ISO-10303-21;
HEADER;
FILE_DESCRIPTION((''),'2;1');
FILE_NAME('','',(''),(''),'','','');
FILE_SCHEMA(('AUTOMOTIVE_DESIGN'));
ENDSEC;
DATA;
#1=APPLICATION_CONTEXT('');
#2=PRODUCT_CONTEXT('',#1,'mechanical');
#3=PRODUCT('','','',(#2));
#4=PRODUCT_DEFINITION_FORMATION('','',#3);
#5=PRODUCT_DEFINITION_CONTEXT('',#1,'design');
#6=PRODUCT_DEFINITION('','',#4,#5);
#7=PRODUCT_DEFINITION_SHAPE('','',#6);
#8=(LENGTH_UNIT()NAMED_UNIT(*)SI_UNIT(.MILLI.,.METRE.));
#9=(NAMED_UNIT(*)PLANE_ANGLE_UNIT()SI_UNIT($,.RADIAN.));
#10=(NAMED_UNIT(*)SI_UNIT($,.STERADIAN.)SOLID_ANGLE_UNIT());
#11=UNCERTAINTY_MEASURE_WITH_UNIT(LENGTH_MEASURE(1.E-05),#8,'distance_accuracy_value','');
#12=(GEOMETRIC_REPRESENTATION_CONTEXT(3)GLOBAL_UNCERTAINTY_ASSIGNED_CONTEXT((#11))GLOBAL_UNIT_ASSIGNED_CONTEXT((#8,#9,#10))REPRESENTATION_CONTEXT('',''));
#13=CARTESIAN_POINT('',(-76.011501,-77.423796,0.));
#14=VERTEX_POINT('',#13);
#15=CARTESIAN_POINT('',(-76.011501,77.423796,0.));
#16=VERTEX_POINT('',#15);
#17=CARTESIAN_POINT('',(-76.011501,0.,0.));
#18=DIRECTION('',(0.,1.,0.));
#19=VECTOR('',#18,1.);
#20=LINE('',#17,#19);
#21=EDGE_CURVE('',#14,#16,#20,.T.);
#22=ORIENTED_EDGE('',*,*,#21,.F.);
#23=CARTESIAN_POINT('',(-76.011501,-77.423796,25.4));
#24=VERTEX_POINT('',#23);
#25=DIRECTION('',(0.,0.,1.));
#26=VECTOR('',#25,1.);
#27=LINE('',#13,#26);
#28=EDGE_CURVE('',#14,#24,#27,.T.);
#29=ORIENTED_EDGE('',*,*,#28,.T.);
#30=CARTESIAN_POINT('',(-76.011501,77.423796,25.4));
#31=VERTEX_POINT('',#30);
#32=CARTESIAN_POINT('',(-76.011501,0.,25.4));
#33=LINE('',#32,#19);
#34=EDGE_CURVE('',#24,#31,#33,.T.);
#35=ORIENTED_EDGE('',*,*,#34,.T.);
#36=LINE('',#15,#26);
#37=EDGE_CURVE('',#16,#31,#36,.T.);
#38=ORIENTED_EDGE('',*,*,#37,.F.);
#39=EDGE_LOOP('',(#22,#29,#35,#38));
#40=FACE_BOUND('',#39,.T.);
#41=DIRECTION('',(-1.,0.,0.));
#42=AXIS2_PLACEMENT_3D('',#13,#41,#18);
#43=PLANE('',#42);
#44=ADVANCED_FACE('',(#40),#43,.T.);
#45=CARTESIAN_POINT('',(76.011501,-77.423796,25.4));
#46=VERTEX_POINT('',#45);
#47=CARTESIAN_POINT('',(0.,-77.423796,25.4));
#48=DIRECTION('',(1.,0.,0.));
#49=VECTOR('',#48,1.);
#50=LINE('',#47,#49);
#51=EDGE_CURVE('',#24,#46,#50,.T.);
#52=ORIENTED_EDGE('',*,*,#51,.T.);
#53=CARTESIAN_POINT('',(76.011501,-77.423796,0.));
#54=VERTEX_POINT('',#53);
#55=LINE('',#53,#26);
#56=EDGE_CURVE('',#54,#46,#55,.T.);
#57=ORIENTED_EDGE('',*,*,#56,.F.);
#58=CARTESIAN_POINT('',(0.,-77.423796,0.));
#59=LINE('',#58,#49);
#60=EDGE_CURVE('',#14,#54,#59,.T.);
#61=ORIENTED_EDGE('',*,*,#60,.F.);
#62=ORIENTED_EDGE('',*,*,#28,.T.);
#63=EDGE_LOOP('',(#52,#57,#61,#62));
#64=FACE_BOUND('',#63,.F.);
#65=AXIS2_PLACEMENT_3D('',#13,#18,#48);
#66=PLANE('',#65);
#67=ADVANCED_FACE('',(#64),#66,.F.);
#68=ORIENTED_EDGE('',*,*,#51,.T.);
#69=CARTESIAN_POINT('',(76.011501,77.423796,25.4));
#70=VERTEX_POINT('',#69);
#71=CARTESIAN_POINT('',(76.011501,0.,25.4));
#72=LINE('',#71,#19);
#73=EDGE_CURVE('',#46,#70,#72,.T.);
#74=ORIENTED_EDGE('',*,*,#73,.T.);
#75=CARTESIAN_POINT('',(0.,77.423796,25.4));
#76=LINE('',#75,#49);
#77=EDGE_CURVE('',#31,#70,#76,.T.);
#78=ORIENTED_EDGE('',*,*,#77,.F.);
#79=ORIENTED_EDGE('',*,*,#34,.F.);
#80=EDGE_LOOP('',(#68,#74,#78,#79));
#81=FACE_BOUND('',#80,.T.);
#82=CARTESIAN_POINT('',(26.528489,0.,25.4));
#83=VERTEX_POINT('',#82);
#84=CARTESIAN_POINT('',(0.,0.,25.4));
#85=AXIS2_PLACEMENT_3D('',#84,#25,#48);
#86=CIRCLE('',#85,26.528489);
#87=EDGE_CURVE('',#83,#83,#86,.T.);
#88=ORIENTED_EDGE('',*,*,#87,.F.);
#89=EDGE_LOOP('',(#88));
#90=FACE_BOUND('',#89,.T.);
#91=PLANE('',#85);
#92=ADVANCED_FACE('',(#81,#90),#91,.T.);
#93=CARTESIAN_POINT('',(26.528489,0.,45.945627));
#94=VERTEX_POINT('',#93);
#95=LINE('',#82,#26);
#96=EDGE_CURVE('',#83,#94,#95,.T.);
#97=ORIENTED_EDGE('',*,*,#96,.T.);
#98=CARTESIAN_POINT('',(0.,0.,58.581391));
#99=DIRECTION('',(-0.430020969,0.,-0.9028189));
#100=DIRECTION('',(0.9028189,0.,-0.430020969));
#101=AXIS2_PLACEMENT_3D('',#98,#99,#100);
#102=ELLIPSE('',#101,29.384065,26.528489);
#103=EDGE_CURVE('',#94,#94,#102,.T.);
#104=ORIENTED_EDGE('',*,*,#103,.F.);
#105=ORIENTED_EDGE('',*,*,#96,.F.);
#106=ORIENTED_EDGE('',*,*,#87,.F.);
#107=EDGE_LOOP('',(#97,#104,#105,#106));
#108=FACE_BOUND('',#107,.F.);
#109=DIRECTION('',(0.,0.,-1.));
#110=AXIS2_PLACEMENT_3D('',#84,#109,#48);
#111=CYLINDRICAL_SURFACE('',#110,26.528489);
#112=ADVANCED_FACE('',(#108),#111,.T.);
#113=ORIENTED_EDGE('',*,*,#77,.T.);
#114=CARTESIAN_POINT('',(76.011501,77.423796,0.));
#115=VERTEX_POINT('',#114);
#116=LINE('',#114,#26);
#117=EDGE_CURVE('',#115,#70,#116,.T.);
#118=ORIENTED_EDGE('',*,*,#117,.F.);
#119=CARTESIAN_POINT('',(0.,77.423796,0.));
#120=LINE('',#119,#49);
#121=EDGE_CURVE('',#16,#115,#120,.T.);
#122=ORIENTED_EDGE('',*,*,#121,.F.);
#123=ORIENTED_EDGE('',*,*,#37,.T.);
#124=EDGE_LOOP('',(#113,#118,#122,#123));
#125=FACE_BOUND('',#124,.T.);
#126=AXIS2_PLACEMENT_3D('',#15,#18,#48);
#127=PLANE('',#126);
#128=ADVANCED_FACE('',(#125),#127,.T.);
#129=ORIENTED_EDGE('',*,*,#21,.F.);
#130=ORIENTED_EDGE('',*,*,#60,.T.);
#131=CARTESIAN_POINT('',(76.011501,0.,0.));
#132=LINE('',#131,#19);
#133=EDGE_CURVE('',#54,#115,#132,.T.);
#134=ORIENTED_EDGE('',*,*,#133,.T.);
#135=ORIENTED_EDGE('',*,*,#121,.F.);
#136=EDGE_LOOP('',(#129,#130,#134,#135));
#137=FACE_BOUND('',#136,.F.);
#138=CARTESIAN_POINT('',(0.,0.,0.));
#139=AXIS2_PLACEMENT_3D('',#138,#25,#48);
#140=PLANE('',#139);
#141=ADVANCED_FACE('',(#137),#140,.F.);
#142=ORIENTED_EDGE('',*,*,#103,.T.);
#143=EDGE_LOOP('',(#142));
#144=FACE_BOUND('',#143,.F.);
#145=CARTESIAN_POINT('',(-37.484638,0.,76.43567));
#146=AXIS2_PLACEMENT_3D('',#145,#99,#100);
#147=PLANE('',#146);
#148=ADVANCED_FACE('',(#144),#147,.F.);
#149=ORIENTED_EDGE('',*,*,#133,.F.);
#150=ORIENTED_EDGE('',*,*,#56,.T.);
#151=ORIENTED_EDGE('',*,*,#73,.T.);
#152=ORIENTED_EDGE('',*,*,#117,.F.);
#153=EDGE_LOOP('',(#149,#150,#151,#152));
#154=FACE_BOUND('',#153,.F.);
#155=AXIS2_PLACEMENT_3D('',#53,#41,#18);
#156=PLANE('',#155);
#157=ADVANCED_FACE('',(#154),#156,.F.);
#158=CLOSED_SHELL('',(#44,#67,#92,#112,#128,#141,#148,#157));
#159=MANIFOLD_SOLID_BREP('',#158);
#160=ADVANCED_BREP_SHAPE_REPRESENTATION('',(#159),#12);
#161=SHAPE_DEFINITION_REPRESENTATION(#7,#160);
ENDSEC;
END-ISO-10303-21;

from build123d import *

# Parameters (mm, degrees)
F0_W     = 152.023002
F0_H     = 154.847592
F1_DEPTH = 25.4
F2_R     = 26.528489
F3_DEPTH = 50.8
F5_DEPTH = 254


with BuildPart() as f1:
    # F0 (on Top) → F1 (new body)
    with BuildSketch(Plane.XY):
        Rectangle(F0_W, F0_H)
    extrude(amount=F1_DEPTH)

    # F2 (on face) → F3 (join)
    with BuildSketch(Plane.XY.offset(25.4)):
        Circle(F2_R)
    extrude(amount=F3_DEPTH)

    # F4 (on Front) → F5 (cut, symmetric)
    with BuildSketch(Plane.XZ):
        Polygon((36.018249, 76.43567), (-37.484638, 76.43567), (36.018249, 41.425567), align=None)
    extrude(amount=F5_DEPTH, both=True, mode=Mode.SUBTRACT)


solid = f1.part
